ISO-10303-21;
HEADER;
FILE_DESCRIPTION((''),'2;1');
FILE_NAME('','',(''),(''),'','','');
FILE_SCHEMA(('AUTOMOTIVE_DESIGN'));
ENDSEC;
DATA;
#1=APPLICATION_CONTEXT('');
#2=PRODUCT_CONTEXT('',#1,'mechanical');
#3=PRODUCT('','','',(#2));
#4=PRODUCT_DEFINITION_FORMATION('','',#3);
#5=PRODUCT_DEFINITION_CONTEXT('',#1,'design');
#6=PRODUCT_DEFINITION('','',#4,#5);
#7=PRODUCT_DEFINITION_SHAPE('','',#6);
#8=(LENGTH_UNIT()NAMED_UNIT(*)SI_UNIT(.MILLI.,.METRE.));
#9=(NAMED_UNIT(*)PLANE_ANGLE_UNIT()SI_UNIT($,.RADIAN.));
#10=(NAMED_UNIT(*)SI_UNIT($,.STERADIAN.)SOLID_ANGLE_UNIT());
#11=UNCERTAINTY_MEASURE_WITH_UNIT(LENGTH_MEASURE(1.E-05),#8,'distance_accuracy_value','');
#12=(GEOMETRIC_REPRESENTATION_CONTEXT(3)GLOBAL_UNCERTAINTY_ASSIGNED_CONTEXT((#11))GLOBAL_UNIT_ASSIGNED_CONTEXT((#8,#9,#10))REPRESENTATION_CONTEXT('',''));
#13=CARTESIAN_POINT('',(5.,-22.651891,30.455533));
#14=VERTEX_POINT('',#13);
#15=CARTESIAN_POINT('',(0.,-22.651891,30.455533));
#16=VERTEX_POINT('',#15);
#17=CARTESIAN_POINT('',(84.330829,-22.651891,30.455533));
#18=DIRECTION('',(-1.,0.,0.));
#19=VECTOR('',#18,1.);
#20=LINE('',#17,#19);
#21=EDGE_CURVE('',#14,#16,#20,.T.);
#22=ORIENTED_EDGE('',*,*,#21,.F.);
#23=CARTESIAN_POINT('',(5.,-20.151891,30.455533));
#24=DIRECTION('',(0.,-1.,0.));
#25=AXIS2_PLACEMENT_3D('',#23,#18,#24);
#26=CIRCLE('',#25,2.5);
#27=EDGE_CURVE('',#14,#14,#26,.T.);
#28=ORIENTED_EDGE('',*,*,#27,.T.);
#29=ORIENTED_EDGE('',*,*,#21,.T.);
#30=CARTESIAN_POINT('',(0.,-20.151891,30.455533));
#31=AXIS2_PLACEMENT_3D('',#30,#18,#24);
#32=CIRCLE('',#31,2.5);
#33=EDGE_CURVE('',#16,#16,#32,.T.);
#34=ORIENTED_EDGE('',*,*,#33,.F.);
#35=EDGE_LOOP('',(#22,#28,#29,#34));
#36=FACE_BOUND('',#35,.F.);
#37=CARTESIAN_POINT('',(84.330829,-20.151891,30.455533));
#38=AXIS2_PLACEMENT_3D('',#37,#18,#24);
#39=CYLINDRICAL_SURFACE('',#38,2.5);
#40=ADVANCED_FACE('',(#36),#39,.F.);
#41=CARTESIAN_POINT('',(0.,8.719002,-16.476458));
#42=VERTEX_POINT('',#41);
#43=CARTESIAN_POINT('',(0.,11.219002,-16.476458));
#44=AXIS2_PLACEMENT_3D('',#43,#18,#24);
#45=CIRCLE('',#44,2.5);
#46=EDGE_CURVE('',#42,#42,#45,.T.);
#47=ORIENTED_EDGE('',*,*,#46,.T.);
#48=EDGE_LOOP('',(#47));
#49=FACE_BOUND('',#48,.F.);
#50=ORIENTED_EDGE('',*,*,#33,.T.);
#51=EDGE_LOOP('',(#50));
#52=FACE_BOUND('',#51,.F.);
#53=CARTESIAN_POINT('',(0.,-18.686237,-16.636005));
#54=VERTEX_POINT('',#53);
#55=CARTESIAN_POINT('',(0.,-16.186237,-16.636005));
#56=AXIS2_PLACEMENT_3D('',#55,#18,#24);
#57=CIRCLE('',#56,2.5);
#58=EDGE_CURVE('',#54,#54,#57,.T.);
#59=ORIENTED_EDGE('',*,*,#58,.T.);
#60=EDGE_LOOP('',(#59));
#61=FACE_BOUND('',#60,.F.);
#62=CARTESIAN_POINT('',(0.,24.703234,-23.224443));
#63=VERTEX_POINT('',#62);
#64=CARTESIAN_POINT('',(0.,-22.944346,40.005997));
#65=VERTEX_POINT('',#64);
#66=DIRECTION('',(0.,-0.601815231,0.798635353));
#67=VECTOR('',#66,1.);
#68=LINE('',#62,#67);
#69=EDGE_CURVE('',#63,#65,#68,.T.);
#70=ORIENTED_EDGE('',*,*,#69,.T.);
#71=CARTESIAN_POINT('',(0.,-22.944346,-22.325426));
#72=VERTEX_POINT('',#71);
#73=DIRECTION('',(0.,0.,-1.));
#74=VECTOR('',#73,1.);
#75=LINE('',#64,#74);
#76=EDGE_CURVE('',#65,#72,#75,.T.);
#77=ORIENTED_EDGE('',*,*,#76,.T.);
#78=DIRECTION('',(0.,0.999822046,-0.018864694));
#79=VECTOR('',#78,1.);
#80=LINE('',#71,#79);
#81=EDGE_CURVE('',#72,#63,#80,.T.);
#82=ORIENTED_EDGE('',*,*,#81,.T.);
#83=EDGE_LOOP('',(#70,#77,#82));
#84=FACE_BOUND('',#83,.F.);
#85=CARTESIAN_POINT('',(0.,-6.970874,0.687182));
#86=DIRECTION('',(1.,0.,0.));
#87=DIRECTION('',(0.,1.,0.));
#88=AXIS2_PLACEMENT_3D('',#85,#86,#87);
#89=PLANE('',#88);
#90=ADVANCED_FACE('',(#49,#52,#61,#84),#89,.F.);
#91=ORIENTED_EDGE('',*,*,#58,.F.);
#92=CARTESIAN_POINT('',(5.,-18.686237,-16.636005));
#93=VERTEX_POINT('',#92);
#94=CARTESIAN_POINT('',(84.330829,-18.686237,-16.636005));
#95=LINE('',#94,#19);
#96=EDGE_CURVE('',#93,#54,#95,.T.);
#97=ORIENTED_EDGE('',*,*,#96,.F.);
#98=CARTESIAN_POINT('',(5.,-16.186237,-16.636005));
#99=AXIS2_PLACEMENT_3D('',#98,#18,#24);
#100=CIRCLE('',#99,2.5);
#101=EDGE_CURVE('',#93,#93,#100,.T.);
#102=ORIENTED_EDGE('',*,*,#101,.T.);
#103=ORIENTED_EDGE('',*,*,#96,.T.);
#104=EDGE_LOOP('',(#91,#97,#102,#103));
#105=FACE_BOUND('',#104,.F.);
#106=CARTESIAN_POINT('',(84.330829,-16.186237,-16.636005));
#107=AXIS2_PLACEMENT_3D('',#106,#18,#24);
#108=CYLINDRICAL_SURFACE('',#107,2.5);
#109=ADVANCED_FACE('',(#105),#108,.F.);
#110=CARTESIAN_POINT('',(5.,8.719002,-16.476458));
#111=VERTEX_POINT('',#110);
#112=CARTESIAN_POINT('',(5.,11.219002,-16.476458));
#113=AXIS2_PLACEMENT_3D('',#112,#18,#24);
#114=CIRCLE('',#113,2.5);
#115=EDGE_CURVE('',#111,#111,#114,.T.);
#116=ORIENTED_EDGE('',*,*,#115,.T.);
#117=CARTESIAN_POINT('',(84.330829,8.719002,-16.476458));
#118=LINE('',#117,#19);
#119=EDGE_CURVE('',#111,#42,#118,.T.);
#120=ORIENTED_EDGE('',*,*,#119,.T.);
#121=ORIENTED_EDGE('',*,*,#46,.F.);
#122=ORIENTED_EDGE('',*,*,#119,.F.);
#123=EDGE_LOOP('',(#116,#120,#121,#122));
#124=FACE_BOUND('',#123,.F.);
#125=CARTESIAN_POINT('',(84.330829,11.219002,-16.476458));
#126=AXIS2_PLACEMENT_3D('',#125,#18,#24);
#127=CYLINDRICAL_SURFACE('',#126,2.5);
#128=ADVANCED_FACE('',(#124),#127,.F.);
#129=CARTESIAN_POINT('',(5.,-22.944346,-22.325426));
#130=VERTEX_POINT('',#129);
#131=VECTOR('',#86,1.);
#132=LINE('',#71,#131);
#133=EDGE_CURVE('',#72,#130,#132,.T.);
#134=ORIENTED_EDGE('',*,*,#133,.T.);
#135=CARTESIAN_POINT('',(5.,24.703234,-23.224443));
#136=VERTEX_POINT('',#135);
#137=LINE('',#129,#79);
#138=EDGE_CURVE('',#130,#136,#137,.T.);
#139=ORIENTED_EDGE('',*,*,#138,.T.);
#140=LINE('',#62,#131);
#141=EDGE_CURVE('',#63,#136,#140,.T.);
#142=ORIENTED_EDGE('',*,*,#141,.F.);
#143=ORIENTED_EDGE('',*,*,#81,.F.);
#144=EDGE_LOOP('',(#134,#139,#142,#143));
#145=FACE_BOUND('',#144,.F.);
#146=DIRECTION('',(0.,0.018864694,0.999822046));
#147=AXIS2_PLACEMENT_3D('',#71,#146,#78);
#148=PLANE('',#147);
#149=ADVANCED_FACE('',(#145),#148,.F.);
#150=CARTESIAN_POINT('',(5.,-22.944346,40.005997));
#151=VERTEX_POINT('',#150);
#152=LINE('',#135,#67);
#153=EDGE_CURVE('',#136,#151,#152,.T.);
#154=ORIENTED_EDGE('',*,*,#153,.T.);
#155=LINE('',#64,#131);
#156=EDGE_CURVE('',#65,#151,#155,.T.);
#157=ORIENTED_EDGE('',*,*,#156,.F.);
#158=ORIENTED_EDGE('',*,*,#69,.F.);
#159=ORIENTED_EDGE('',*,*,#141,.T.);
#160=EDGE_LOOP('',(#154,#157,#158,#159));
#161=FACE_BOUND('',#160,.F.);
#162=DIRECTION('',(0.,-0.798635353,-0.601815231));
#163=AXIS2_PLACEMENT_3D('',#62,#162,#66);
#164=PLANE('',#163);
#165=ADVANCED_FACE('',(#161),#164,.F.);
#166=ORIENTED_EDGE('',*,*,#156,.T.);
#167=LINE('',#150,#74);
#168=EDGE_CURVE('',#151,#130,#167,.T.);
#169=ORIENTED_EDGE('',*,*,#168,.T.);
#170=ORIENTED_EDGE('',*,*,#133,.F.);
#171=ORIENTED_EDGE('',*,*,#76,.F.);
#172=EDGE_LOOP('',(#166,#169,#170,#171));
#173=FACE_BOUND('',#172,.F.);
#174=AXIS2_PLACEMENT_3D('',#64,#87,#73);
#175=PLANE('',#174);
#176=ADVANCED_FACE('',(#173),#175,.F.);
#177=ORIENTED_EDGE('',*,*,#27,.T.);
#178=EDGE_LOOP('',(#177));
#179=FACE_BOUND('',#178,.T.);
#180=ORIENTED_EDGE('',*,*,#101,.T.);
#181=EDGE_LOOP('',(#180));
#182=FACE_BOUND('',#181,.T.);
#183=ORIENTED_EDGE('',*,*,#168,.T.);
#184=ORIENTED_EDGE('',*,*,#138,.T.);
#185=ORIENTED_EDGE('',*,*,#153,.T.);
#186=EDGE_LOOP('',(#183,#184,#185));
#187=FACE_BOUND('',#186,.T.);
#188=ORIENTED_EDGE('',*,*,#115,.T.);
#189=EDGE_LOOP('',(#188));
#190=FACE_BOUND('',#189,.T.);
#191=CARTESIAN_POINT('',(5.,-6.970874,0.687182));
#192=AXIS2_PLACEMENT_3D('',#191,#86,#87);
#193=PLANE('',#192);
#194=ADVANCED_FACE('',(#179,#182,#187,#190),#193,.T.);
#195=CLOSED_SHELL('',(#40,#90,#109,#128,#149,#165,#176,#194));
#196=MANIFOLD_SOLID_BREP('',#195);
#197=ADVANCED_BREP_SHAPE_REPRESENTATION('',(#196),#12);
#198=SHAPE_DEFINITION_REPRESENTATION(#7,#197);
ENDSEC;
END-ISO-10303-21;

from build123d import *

# Parameters (mm, degrees)
F1_DEPTH = 5
F3_D     = 5
F5_D     = 5
F7_D     = 5


with BuildPart() as f1:
    # F0 (on Right) → F1 (new body)
    with BuildSketch(Plane.YZ):
        Polygon((24.703234, -23.224443), (-22.944346, 40.005997), (-22.944346, -22.325426), align=None)
    extrude(amount=F1_DEPTH)

    # F3 (through all)
    with Locations(Plane.YZ.offset(5)):
        with Locations((11.219002, -16.476458)):
            Hole(F3_D / 2)

    # F5 (through all)
    with Locations(Plane.YZ.offset(5)):
        with Locations((-16.186237, -16.636005)):
            Hole(F5_D / 2)

    # F7 (through all)
    with Locations(Plane.YZ.offset(5)):
        with Locations((-20.151891, 30.455533)):
            Hole(F7_D / 2)


solid = f1.part
